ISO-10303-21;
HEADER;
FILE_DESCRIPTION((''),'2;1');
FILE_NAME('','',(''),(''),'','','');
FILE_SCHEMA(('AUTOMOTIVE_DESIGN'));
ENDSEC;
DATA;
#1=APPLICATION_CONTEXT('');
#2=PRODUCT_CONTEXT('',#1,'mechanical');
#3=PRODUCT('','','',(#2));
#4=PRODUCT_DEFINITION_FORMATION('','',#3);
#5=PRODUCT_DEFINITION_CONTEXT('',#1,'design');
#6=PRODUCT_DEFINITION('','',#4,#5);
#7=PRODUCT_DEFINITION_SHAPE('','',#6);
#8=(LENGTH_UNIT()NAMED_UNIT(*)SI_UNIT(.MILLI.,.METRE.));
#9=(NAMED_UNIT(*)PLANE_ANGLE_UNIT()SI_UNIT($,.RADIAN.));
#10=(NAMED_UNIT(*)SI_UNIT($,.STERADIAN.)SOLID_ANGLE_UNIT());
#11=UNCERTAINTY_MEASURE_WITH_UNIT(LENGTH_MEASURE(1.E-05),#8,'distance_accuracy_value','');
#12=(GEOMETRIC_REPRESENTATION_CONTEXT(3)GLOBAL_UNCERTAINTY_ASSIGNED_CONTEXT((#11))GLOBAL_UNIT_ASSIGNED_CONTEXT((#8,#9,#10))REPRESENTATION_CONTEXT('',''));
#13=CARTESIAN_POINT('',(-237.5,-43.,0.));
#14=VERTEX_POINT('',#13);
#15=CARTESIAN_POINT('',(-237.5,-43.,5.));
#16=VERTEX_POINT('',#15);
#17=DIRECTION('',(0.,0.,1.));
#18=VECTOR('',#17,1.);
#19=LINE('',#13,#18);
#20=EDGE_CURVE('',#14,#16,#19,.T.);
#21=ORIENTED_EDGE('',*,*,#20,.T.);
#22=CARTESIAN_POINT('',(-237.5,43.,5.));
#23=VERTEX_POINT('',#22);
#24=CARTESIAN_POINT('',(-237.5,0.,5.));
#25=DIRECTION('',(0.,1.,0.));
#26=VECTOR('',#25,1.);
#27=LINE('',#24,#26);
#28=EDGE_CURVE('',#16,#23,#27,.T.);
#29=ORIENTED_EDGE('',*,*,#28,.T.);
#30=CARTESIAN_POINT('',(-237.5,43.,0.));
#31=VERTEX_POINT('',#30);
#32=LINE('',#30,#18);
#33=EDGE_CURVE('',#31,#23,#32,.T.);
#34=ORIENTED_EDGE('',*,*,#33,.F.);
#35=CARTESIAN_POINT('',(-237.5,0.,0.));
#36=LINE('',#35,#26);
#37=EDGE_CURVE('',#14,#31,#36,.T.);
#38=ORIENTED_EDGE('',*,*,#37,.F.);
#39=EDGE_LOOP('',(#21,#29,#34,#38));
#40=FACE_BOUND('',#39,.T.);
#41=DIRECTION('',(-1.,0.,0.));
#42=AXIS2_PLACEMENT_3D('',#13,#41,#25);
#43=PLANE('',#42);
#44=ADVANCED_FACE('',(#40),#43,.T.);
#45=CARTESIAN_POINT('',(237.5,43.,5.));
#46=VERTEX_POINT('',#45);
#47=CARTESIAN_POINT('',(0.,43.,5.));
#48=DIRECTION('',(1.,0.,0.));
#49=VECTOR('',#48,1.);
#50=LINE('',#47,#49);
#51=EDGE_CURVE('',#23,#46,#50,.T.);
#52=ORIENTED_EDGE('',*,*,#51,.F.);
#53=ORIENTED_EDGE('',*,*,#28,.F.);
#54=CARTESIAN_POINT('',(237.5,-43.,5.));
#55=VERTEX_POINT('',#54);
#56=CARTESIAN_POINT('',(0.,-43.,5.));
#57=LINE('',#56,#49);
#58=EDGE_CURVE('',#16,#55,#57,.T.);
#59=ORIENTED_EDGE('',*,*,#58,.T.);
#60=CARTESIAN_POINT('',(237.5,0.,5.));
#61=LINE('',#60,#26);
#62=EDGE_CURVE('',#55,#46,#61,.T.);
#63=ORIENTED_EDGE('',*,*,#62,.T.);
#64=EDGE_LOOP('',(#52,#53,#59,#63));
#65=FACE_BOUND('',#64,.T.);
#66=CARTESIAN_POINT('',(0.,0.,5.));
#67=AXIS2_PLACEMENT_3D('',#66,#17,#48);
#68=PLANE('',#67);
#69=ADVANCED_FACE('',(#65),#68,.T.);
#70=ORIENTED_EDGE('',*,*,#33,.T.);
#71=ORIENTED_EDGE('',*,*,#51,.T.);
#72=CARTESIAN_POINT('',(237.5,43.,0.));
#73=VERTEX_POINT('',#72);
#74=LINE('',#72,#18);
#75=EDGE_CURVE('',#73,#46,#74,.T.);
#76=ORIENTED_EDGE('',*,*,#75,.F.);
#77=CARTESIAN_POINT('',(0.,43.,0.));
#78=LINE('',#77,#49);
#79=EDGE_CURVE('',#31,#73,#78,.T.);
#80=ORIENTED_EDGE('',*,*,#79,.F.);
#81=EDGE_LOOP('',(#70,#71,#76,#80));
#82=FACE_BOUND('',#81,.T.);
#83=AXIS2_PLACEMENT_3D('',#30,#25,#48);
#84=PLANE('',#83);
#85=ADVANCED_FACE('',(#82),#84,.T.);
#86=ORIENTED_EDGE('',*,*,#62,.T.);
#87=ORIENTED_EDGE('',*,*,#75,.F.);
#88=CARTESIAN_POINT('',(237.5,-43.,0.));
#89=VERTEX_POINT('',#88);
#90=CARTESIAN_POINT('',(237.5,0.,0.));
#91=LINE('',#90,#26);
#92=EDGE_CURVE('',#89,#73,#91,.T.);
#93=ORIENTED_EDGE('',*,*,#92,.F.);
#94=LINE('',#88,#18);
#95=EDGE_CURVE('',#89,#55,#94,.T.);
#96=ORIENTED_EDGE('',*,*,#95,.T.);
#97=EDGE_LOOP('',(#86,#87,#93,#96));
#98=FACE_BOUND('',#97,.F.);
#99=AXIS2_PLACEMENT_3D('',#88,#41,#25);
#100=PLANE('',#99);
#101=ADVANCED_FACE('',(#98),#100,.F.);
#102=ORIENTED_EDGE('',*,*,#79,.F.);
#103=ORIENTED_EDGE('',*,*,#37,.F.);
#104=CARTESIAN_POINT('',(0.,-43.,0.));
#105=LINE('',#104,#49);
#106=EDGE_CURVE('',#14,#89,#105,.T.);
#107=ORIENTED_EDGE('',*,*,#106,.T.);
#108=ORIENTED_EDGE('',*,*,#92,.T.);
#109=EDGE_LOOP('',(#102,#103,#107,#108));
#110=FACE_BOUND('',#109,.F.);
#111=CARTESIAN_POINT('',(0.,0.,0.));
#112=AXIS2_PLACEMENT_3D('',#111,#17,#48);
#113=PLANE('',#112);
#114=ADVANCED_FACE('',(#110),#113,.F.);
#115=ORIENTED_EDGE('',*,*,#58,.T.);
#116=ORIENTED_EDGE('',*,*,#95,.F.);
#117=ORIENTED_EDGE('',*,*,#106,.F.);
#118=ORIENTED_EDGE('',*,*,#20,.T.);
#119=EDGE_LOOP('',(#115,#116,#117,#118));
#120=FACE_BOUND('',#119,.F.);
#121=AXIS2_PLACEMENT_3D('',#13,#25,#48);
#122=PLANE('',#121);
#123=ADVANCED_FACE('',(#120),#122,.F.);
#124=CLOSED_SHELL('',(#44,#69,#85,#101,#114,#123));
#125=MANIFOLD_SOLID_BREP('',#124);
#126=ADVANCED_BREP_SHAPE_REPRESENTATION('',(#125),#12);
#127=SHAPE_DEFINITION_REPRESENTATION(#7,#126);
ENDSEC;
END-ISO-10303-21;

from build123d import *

# Parameters (mm, degrees)
SKETCH1_W           = 475
SKETCH1_H           = 86
BOSS_EXTRUDE1_DEPTH = 5


with BuildPart() as part:
    # Sketch1 → Boss-Extrude1 (new body)
    with BuildSketch(Plane.XY):
        Rectangle(SKETCH1_W, SKETCH1_H)
    extrude(amount=BOSS_EXTRUDE1_DEPTH)


solid = part.part
